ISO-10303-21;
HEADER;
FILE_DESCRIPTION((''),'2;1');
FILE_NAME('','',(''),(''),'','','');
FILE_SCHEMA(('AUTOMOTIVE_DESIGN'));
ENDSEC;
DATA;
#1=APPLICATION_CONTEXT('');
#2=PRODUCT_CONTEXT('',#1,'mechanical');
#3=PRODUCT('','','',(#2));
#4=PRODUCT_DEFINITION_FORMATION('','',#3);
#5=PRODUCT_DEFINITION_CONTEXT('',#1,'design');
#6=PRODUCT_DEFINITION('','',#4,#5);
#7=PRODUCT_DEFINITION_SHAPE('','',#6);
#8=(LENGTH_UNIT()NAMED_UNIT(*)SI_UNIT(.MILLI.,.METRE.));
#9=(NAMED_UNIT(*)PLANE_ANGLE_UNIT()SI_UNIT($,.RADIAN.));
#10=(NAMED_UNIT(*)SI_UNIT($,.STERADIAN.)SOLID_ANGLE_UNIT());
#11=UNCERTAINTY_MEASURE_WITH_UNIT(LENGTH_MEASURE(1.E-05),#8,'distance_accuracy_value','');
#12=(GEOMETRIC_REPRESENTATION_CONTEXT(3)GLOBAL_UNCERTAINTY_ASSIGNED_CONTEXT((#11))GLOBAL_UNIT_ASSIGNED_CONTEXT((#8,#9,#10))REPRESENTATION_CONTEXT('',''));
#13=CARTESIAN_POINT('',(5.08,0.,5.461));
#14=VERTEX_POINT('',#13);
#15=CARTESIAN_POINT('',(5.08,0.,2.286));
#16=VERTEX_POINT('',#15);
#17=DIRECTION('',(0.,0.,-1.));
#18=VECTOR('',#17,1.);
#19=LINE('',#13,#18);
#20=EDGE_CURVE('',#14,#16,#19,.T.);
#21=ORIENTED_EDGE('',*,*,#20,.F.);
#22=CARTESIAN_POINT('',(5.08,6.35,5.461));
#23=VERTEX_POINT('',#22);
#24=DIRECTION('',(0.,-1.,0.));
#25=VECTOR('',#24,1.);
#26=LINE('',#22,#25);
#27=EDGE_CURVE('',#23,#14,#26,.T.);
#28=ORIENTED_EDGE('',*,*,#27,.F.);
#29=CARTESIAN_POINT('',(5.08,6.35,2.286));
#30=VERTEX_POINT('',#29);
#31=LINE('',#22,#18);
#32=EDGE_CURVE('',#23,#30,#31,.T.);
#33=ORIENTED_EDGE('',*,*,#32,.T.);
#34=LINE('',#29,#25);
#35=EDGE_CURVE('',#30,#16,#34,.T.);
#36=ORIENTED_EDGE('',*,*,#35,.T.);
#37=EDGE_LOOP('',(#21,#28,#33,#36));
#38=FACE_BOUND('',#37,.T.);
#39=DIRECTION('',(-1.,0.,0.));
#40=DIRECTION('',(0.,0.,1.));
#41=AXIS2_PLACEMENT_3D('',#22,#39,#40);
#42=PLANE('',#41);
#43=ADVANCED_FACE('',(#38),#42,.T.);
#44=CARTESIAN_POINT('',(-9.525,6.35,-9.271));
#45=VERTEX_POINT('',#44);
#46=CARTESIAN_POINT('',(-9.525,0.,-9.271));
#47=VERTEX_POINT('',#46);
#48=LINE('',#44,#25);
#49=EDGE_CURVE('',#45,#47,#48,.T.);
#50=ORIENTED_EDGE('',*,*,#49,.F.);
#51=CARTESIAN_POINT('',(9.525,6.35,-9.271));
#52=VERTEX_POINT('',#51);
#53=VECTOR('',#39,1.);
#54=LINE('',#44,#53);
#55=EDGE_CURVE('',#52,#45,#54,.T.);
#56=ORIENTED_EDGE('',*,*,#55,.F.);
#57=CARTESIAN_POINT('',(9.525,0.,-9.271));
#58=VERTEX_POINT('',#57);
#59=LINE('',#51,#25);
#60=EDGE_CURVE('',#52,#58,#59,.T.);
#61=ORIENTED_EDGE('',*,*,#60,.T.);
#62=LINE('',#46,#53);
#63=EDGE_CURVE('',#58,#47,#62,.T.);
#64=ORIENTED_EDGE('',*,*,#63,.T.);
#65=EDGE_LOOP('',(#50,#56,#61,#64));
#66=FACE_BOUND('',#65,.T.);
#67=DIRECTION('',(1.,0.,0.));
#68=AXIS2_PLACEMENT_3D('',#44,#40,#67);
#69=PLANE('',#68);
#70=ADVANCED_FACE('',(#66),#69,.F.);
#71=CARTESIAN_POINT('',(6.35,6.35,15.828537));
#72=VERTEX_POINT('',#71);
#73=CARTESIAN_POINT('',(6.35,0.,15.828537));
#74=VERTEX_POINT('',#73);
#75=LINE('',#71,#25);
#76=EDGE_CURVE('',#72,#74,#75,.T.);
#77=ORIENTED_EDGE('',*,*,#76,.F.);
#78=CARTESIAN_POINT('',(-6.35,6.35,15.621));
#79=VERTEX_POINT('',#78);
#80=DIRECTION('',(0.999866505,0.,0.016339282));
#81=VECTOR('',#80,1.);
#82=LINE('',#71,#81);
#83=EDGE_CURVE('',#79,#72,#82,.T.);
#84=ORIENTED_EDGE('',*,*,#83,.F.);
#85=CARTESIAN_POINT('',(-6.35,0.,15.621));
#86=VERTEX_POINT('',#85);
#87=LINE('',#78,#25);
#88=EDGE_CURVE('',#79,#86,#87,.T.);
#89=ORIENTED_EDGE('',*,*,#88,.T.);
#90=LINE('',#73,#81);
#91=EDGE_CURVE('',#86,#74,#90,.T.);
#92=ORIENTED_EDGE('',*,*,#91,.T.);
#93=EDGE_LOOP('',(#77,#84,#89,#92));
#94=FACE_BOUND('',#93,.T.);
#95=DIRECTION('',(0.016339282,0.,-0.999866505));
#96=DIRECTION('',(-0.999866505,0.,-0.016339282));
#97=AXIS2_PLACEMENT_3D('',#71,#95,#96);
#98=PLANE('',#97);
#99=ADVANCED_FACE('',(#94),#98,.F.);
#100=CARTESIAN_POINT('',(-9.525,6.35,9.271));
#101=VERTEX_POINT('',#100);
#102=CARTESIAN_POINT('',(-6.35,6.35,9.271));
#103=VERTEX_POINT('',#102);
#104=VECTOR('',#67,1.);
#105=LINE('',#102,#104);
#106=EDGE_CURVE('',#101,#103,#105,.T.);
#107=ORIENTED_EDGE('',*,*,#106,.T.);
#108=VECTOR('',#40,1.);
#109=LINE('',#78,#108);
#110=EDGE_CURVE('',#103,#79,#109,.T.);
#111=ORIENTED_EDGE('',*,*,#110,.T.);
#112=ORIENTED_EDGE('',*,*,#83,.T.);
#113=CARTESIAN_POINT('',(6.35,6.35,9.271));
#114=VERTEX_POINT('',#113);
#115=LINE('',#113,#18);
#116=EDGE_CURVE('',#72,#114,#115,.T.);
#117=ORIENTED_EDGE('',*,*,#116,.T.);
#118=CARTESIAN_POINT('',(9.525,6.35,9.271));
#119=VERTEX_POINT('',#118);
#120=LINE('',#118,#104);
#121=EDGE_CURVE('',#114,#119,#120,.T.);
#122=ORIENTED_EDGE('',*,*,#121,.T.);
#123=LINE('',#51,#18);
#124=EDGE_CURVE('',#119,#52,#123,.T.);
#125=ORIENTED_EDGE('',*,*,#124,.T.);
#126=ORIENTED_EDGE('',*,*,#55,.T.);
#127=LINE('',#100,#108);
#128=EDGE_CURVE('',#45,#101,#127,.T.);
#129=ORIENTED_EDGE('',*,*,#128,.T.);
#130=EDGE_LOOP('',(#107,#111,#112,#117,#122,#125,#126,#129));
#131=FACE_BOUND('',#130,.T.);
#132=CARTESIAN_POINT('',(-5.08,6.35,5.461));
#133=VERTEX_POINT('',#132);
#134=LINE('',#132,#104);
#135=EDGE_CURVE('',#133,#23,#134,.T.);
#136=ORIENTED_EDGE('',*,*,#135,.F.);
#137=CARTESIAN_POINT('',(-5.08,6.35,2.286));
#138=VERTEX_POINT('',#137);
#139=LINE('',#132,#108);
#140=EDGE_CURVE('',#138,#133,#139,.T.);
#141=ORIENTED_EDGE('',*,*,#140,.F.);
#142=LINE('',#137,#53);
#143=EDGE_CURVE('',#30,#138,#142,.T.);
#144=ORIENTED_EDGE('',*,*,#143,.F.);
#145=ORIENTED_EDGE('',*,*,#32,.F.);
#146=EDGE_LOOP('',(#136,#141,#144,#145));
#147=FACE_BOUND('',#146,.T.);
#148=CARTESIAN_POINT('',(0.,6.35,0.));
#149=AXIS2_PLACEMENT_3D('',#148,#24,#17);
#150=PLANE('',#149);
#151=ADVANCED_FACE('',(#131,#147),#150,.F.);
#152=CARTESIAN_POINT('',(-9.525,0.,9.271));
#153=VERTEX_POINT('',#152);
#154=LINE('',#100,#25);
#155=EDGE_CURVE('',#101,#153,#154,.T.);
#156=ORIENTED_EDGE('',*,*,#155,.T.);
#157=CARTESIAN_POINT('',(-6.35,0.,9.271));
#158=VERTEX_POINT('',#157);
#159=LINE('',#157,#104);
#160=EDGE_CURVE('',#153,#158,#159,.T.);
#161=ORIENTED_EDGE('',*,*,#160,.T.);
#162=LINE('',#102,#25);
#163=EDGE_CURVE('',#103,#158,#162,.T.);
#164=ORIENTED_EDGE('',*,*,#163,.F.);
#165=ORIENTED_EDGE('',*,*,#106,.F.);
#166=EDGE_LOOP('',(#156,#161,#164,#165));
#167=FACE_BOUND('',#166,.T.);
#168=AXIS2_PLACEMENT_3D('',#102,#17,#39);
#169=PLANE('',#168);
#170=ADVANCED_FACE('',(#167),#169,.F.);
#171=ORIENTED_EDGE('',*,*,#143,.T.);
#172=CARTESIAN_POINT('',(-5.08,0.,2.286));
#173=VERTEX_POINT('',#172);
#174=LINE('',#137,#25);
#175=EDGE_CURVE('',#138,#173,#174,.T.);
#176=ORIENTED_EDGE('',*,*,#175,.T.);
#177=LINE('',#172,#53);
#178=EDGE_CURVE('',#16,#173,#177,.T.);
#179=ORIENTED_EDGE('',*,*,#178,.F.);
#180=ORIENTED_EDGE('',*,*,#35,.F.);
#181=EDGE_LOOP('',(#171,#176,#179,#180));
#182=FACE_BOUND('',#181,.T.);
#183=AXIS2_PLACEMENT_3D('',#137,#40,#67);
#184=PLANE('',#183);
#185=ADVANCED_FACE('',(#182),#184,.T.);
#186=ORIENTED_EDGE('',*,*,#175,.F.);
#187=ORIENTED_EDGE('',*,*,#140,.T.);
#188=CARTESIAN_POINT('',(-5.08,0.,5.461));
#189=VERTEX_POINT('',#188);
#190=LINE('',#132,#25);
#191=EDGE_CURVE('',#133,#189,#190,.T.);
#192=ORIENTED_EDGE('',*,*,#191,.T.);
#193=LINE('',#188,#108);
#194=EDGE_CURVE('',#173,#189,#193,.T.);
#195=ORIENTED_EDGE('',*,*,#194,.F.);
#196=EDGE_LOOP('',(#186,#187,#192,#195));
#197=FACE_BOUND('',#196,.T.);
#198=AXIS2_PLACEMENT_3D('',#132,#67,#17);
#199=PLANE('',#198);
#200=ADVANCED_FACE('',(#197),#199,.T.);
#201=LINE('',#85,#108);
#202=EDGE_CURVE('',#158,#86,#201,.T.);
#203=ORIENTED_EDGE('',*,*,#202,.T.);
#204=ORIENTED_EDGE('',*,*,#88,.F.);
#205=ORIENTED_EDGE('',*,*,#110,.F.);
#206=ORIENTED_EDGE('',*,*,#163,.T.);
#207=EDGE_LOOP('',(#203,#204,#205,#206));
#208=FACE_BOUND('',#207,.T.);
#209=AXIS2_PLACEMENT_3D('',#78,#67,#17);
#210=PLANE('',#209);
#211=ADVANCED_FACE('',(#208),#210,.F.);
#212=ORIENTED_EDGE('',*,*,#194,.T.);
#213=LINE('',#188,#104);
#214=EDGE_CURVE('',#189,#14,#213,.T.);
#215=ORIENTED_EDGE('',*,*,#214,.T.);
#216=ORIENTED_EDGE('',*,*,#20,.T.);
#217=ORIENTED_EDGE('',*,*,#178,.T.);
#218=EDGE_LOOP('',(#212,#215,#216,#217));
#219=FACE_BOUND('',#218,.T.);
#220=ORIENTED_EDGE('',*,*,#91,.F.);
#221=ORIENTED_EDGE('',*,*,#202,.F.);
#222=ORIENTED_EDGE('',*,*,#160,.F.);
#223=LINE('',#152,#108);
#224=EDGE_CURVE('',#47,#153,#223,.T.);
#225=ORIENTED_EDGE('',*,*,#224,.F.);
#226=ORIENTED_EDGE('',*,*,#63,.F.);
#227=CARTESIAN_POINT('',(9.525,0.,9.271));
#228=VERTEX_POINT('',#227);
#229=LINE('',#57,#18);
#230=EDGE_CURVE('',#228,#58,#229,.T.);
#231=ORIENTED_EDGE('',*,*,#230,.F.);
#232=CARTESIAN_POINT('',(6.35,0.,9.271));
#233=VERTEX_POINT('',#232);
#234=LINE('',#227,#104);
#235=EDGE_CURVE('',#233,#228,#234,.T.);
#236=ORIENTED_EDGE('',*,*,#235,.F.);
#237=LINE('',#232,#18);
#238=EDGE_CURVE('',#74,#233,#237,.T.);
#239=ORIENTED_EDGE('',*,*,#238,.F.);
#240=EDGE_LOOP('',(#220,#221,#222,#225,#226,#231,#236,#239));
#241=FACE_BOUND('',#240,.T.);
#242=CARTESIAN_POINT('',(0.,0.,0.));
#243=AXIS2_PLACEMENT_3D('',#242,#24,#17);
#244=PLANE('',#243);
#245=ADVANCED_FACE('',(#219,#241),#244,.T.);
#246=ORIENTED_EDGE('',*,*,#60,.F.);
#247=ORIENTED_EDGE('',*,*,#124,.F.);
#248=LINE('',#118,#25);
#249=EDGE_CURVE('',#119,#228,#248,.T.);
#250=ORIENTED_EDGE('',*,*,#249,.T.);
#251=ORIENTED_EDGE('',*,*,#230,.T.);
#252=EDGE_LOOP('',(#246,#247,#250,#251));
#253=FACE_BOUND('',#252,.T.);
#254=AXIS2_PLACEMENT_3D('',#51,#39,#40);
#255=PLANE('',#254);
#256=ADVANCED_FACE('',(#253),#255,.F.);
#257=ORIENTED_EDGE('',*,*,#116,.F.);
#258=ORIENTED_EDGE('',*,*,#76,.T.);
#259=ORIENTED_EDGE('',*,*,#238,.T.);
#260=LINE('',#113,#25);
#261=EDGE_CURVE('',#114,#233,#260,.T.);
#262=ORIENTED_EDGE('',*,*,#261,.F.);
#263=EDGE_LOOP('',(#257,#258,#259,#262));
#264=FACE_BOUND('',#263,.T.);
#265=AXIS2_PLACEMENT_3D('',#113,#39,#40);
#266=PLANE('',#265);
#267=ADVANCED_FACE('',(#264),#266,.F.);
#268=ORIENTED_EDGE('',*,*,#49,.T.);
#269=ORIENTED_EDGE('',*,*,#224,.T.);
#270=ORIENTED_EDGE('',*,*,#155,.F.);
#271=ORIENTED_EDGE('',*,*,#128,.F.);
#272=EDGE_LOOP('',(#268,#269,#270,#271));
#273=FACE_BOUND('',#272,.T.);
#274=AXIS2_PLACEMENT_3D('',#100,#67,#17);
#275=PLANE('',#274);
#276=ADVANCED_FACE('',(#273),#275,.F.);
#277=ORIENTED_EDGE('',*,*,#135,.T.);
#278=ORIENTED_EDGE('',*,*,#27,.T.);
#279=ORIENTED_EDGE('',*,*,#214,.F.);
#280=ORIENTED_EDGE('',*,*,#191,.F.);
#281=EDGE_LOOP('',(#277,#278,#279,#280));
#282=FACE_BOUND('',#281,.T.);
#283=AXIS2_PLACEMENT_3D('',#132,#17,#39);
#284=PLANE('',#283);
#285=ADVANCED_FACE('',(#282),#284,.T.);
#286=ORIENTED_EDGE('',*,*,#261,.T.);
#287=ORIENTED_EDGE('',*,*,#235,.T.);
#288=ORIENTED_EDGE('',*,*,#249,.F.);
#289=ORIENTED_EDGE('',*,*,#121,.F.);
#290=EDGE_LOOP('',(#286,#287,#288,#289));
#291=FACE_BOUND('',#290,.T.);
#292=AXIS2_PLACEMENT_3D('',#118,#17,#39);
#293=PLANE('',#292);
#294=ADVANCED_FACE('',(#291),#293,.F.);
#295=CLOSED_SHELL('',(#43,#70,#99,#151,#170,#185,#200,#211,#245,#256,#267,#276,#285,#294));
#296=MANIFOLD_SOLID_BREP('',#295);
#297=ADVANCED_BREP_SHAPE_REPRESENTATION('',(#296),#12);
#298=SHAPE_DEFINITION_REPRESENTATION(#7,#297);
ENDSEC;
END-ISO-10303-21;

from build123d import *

# Parameters (mm, degrees)
SKETCH1_W           = 10.16
SKETCH1_H           = 3.175
BOSS_EXTRUDE1_DEPTH = 6.35


with BuildPart() as part:
    # Sketch1 → Boss-Extrude1 (new body)
    with BuildSketch(Plane(origin=(0, 0, 0), x_dir=(1, 0, 0), z_dir=(0, 1, 0))):
        Polygon((-9.525, 9.271), (9.525, 9.271), (9.525, -9.271), (6.35, -9.271), (6.35, -15.828536585), (-6.35, -15.621), (-6.35, -9.271), (-9.525, -9.271), align=None)
        with Locations((0, -3.8735)):
            Rectangle(SKETCH1_W, SKETCH1_H, mode=Mode.SUBTRACT)
    extrude(amount=BOSS_EXTRUDE1_DEPTH)


solid = part.part
